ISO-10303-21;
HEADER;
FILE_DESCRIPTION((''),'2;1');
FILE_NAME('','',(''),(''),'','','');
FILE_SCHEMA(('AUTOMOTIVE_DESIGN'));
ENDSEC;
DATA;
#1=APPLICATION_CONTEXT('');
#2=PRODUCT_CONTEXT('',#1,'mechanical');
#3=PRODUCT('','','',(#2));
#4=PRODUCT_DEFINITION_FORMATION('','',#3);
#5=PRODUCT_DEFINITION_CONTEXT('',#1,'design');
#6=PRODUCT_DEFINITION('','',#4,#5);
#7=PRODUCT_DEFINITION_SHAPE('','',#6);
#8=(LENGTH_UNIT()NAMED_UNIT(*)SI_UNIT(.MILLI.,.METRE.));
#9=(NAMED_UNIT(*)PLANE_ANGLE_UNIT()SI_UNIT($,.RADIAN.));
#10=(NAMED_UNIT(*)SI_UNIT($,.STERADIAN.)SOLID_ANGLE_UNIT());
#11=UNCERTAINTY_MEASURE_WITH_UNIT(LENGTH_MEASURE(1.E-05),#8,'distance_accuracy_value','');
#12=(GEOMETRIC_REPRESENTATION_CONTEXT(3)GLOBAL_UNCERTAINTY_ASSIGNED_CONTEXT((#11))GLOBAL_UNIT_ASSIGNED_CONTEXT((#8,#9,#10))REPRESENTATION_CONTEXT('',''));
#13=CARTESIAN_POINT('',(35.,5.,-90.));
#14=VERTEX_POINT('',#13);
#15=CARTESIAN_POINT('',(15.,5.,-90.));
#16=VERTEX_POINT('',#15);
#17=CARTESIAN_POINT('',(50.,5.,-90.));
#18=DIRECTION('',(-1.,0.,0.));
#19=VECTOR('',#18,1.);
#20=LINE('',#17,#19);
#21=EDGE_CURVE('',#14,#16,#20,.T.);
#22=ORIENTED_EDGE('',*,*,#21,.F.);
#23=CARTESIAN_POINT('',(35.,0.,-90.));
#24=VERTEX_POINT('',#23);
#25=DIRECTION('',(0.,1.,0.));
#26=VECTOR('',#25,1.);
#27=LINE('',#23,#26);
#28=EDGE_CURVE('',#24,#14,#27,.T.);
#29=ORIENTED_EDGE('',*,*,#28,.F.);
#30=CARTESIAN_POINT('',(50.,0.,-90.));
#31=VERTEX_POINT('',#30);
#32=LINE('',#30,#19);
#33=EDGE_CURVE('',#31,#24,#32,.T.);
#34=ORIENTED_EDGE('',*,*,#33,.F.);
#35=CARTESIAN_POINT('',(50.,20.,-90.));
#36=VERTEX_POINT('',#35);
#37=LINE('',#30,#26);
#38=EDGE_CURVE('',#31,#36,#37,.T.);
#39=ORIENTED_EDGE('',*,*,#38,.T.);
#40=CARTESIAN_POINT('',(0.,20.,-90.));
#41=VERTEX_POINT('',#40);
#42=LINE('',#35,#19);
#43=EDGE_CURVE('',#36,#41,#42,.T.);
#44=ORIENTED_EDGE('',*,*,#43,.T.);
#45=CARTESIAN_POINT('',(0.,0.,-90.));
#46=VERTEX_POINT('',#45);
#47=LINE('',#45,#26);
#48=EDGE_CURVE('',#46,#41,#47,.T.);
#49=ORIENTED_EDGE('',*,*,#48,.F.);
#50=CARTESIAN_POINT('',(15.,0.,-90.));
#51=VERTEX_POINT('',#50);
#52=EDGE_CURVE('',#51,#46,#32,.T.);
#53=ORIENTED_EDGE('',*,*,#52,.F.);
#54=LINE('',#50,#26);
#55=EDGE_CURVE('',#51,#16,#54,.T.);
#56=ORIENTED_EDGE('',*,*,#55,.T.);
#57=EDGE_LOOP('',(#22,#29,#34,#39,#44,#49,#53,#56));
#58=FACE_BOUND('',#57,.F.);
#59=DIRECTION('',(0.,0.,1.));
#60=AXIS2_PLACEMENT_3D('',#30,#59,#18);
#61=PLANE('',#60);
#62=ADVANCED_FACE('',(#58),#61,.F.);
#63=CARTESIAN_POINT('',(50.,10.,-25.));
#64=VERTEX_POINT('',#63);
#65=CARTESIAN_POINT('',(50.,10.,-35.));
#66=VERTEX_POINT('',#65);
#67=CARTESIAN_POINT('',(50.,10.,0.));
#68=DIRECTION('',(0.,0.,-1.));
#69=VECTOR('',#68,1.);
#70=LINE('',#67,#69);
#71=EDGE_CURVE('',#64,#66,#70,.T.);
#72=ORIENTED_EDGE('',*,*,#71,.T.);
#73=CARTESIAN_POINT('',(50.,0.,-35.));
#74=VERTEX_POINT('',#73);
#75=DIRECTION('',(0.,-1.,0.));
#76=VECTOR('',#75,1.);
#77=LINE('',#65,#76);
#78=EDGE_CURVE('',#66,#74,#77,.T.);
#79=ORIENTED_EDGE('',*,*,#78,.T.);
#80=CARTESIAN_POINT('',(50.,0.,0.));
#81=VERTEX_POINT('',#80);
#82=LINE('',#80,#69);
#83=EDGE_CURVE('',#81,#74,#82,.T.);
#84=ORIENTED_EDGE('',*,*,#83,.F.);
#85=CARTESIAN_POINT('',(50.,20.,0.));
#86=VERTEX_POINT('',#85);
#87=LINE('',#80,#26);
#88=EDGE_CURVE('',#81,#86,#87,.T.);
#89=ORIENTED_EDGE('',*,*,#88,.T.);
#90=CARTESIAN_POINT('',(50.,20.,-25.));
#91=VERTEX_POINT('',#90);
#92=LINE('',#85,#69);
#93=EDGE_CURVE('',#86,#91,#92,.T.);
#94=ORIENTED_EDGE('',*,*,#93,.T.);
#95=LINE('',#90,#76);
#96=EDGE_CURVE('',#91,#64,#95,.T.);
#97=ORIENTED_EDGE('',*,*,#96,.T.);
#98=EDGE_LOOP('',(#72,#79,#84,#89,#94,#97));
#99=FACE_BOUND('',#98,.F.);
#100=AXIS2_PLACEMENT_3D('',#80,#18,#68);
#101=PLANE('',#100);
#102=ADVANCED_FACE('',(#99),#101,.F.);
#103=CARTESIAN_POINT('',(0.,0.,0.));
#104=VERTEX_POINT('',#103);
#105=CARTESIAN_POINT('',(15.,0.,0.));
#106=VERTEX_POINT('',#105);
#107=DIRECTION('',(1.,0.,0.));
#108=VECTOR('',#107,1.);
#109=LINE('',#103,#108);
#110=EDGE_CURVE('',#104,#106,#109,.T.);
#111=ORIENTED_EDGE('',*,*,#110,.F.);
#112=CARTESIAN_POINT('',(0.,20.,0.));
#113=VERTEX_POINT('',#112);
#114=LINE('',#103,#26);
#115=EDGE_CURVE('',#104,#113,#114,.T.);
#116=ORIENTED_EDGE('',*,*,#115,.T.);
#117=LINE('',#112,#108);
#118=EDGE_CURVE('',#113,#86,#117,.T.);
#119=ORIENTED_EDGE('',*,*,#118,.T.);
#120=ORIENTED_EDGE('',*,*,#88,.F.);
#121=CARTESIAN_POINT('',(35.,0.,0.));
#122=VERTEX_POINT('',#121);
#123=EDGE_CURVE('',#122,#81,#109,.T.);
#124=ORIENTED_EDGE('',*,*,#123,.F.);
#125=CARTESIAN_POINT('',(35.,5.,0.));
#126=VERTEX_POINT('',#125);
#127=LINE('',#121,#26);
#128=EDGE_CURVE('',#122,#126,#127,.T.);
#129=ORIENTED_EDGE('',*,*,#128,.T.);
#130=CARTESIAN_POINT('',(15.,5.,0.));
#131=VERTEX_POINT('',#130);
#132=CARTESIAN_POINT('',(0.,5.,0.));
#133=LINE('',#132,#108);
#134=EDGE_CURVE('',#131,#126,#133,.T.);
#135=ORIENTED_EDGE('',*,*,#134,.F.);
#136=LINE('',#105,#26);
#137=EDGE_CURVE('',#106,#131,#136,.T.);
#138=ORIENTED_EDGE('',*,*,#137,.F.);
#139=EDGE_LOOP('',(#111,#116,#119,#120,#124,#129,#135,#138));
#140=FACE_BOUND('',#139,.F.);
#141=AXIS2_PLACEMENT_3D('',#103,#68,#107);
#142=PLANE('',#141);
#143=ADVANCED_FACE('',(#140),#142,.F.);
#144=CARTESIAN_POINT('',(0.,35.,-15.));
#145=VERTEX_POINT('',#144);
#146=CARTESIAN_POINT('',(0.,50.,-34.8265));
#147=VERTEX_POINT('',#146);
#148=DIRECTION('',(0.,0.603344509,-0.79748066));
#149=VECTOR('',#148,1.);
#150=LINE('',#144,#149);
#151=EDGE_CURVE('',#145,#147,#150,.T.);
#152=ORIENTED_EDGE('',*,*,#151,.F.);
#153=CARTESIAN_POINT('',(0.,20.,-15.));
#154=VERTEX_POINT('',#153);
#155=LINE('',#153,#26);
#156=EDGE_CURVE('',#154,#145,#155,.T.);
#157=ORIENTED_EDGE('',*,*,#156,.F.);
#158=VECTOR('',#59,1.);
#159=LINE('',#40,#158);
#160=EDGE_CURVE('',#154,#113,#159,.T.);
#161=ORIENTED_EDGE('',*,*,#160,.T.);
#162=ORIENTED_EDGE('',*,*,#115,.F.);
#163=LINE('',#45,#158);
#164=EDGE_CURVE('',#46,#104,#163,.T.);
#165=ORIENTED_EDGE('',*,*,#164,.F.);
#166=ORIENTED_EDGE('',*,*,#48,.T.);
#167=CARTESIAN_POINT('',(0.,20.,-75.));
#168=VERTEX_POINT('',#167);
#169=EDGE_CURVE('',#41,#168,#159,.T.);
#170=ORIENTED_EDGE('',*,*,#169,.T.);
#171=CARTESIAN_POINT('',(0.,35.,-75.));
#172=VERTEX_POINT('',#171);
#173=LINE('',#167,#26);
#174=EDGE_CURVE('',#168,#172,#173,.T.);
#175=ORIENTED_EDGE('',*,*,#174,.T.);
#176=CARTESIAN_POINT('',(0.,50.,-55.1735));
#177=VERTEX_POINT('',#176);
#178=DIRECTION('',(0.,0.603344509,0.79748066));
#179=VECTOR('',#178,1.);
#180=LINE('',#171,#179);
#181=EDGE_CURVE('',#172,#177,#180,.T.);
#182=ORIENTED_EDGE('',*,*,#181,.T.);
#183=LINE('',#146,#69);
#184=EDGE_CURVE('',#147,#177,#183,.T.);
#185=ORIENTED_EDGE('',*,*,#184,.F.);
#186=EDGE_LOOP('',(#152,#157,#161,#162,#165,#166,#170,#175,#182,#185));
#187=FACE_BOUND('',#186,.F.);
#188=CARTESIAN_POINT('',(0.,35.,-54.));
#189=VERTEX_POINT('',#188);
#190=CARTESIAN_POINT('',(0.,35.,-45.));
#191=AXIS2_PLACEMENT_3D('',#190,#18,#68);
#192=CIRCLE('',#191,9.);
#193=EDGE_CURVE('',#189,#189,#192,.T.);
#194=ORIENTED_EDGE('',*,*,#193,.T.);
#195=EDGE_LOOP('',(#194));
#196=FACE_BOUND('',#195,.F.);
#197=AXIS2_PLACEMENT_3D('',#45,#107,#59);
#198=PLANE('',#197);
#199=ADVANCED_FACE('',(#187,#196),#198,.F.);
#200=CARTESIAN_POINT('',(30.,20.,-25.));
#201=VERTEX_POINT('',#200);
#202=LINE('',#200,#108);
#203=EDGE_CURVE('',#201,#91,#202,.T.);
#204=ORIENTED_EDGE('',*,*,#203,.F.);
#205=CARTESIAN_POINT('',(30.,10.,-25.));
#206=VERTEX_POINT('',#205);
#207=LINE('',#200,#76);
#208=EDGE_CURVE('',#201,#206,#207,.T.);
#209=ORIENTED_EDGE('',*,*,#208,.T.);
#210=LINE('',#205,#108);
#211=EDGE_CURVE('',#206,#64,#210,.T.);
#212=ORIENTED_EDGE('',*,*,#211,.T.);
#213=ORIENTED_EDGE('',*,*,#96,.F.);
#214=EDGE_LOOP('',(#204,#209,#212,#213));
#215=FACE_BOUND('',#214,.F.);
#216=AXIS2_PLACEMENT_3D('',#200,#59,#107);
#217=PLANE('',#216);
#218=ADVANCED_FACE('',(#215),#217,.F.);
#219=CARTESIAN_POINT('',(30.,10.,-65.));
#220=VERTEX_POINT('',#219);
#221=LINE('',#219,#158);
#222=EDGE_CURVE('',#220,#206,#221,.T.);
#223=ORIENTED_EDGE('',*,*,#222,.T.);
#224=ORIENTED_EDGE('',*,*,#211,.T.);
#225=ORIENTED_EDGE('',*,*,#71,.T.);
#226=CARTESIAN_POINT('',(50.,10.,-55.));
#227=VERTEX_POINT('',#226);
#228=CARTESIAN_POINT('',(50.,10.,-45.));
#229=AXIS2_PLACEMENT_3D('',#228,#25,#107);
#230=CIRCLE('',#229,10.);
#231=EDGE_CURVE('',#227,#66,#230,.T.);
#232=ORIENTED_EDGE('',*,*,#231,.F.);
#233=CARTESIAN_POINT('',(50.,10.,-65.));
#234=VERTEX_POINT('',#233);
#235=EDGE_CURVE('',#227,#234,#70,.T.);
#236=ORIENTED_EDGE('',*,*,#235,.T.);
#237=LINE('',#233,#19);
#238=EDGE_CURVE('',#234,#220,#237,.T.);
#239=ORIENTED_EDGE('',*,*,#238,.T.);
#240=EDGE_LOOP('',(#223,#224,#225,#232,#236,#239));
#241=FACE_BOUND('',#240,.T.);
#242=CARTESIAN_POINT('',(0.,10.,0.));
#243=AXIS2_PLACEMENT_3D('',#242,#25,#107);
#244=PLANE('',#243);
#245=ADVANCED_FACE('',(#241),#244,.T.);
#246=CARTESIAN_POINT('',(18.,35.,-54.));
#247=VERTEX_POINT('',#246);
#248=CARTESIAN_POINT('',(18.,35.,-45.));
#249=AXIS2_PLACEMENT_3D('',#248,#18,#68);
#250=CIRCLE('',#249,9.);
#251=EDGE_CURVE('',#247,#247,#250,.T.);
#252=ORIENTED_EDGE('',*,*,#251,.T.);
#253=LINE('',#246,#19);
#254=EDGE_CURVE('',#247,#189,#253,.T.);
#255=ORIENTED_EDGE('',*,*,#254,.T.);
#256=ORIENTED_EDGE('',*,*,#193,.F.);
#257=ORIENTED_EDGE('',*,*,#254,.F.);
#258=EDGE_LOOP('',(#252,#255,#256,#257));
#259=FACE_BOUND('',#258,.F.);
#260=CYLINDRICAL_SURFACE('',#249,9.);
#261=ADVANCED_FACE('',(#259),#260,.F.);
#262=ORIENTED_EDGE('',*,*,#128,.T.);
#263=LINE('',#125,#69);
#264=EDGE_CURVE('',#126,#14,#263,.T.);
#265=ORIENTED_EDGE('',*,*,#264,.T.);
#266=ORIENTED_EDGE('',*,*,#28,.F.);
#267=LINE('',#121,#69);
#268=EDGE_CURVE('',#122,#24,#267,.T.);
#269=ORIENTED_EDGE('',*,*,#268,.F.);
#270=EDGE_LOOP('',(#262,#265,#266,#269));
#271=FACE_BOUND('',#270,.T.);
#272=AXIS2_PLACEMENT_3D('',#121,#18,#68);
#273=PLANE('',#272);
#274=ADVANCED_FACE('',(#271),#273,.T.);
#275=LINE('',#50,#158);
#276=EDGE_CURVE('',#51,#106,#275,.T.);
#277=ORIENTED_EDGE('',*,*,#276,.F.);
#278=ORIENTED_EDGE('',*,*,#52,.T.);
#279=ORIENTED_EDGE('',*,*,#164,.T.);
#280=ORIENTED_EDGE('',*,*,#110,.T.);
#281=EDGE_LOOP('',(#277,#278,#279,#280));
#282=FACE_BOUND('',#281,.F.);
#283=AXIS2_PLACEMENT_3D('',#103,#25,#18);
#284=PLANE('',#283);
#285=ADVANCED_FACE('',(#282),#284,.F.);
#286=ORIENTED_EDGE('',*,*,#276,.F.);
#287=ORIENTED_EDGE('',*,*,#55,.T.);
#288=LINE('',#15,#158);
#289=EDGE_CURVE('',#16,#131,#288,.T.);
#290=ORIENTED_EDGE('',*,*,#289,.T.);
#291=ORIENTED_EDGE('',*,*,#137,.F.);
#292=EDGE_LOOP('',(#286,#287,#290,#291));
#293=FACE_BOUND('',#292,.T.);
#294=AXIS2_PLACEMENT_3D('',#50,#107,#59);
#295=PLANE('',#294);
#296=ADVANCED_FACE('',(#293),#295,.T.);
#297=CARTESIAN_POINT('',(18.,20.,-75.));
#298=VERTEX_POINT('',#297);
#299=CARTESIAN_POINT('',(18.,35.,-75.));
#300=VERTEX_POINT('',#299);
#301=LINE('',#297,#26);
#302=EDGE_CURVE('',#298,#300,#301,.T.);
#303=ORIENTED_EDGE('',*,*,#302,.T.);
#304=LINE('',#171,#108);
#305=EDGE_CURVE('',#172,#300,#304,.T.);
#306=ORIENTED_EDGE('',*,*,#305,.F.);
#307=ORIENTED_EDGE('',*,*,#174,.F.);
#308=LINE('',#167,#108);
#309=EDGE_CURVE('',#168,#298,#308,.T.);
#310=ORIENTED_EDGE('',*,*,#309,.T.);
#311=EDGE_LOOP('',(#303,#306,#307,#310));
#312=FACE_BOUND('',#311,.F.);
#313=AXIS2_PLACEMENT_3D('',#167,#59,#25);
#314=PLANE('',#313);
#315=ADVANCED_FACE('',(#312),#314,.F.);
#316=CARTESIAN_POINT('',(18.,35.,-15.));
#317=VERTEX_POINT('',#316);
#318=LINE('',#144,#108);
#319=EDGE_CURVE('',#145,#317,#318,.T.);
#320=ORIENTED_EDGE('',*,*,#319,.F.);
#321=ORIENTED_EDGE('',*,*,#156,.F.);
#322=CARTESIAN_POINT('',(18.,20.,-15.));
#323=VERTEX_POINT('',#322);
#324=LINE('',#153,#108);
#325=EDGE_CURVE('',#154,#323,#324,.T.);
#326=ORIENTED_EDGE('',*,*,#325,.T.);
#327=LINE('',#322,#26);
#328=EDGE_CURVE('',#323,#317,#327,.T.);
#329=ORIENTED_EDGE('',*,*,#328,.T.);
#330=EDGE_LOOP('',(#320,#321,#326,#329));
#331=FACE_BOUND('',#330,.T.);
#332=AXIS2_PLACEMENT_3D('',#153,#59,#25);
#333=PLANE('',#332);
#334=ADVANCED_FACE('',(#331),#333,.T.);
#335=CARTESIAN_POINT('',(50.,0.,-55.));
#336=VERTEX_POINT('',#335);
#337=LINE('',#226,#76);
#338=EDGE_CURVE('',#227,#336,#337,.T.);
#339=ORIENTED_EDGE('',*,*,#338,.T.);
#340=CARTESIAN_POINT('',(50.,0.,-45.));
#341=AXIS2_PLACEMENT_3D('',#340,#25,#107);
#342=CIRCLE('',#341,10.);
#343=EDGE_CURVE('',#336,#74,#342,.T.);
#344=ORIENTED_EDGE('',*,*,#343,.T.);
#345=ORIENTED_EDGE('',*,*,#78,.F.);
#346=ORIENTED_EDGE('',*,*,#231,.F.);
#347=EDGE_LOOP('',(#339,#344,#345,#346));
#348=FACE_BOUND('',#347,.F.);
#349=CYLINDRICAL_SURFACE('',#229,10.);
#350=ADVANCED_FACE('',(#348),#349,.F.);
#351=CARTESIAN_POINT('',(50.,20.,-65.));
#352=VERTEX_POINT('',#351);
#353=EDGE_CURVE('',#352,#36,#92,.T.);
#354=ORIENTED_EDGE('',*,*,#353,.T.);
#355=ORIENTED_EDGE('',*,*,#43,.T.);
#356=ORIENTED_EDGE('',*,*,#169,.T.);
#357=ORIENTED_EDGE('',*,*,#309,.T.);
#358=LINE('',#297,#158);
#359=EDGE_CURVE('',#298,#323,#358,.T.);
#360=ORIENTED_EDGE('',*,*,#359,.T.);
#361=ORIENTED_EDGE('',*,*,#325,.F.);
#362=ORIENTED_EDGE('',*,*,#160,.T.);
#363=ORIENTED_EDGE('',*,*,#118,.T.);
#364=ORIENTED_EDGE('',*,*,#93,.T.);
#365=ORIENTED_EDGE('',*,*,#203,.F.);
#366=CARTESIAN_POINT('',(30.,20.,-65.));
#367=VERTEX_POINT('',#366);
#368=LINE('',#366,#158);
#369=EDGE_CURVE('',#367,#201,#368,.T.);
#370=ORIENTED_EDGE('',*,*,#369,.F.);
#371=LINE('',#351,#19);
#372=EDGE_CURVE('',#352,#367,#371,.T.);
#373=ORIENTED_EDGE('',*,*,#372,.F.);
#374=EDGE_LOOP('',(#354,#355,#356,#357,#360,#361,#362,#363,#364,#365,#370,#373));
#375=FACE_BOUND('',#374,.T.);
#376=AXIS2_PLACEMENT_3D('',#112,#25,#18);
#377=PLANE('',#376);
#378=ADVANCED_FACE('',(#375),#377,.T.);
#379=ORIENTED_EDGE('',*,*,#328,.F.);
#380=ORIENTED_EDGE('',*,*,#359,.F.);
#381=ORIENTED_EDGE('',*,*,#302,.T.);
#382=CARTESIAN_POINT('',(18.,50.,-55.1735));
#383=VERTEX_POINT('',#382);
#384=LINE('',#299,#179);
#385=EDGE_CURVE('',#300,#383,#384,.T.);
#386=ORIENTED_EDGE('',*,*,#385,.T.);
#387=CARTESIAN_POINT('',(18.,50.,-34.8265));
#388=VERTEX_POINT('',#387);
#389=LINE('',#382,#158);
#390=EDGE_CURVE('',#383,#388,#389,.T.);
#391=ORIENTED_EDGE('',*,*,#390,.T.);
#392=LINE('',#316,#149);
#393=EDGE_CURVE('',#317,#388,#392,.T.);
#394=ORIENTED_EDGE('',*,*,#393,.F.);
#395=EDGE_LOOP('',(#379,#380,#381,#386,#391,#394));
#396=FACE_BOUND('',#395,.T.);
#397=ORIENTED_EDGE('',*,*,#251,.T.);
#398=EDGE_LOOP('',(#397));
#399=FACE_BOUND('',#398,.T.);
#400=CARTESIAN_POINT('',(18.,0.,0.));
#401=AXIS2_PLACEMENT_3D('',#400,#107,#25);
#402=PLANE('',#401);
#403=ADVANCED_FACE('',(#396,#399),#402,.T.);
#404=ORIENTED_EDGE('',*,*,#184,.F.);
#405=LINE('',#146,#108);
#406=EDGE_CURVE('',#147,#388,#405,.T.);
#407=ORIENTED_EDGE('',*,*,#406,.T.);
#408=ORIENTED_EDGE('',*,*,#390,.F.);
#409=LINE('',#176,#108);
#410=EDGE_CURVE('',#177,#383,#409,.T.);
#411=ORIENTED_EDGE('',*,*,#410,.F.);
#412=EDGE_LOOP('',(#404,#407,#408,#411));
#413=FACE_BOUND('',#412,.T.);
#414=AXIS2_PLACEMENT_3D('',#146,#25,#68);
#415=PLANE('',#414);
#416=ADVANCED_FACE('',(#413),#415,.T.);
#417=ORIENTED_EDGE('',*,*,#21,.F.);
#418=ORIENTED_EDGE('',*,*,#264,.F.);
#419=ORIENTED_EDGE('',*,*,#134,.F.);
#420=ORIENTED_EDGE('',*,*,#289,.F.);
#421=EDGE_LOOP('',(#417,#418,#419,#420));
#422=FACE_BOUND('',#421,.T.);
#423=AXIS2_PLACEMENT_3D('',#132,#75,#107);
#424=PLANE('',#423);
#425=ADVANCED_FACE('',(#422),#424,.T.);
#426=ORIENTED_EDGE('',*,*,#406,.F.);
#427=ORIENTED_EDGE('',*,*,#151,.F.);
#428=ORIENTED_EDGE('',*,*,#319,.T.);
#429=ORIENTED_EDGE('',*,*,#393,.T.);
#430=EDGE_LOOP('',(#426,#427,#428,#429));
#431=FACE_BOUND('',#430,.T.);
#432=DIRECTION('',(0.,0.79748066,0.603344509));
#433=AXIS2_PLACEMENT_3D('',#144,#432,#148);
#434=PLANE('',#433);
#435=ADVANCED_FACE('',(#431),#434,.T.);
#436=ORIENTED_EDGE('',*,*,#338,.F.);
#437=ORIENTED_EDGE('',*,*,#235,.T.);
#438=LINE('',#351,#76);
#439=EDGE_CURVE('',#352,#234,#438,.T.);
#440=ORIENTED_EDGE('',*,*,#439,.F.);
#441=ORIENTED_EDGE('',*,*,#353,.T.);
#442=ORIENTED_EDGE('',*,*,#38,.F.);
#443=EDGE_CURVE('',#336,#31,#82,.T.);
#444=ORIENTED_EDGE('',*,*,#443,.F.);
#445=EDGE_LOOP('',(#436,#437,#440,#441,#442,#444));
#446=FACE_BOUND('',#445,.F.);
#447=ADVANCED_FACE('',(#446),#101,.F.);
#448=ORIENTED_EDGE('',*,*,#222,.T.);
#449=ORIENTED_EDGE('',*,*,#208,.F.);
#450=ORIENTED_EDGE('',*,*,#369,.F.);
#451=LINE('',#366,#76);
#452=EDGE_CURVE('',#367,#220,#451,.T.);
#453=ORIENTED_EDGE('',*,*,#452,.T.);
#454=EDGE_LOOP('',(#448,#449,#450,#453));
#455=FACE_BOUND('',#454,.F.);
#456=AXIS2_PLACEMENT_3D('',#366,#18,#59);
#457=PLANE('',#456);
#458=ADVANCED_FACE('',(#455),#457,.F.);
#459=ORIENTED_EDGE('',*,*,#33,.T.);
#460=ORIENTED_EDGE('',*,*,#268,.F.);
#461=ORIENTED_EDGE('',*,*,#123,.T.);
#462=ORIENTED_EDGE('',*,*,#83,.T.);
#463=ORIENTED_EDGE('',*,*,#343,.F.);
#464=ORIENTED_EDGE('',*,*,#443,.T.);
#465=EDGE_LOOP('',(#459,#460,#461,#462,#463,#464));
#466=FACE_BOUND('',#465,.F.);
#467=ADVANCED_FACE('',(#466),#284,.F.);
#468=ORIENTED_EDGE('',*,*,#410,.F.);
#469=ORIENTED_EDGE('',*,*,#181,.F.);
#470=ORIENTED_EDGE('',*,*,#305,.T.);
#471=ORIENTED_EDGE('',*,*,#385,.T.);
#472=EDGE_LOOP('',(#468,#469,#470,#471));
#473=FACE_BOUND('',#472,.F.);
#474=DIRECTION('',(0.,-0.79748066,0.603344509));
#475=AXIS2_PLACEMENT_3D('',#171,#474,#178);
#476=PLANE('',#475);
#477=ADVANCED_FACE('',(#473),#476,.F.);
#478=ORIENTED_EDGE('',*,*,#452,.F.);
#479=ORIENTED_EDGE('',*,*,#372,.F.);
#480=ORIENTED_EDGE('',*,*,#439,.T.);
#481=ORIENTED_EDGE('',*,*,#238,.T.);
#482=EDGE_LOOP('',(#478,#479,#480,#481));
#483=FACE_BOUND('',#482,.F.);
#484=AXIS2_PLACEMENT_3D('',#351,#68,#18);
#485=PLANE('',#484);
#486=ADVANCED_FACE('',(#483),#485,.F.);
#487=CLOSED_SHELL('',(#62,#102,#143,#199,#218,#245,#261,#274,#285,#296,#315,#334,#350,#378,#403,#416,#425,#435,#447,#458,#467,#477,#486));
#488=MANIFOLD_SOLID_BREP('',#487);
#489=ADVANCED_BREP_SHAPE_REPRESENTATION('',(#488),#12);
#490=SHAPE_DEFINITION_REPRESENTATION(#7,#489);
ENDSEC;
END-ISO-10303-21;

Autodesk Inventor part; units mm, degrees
ref_plane "YZ Plane" through (0, 0, 0) normal (1, 0, 0) x (0, 1, 0)
ref_plane "XZ Plane" through (0, 0, 0) normal (0, 1, 0) x (-1, 0, 0)
ref_plane "XY Plane" through (0, 0, 0) normal (0, 0, 1) x (1, 0, 0)
sketch "Szkic1" plane through (0, 0, 0) normal (0, 1, 0) x (-1, 0, 0)
  line L0 (0, 0) -> (-50, 0)
  line L1 (-50, 0) -> (-50, -90)
  line L2 (-50, -90) -> (0, -90)
  line L3 (0, -90) -> (0, 0)
  dimension "d0" = 50
  dimension "d1" = 90
extrude "Wyciągnięcie proste1" add sketch "Szkic1" along normal blind 20
sketch "Szkic2" plane through (0, 20, 0) normal (0, 1, 0) x (1, 0, 0)
  line L0 (50, 0) -> (50, 90) projected
  line L1 (50, 65) -> (30, 65)
  line L2 (30, 65) -> (30, 25)
  line L3 (30, 25) -> (50, 25)
  line L4 (50, 25) -> (50, 65)
  line L5 (50, 90) -> (0, 90) projected
  point P0 (0, 0)
  dimension "d4" = 20
  dimension "d5" = 40
  dimension "d6" = 25
extrude "Wyciągnięcie proste2" cut sketch "Szkic2" against normal blind 10
sketch "Szkic3" plane through (0, 10, 0) normal (0, 1, 0) x (1, 0, 0)
  line L0 (50, 65) -> (50, 25) projected
  circle A0 centre (50, 45) radius 10
  point P0 (0, 0)
  point P1 (50, 35)
  point P2 (50, 55)
  dimension "d9" = 20
extrude "Wyciągnięcie proste3" cut sketch "Szkic3" against normal through all contours L0 A0 picked at (46.1942, 47.495)
sketch "Szkic4" plane through (0, 0, 0) normal (0, -1, 0) x (1, 0, 0)
  line L0 (0, 0) -> (50, 0) projected
  line L1 (50, -90) -> (0, -90) projected
  line L2 (15, 0) -> (35, 0)
  line L3 (35, 0) -> (35, -90)
  line L4 (35, -90) -> (15, -90)
  line L5 (15, -90) -> (15, 0)
  line L6 (0, -90) -> (0, 0) projected
  dimension "d12" = 20
  dimension "d13" = 15
extrude "Wyciągnięcie proste4" cut sketch "Szkic4" against normal blind 5 contours L0 L3 L1 L5
sketch "Szkic5" plane through (0, 0, 0) normal (1, 0, 0) x (0, 1, 0)
  line L0 (20, -65) -> (20, -90) projected
  line L1 (20, -75) -> (35, -75)
  line L2 (35, -75) -> (50, -55.1735)
  line L3 (50, -55.1735) -> (50, -45.1735)
  line L4 (20, -25) -> (20, -65) projected
  line L5 (20, -15) -> (35, -15)
  line L6 (35, -15) -> (50, -34.8265)
  line L7 (50, -34.8265) -> (50, -44.8265)
  line L8 (20, -75) -> (20, -15)
  line L9 (20, -90) -> (20, 0) projected
  line L10 (50, -55.1735) -> (50, -34.8265)
  point P0 (0, 0)
  dimension "d16" = 15
  dimension "d17" = 10
  dimension "d18" = 15
extrude "Wyciągnięcie proste5" add sketch "Szkic5" along normal blind 18
sketch "Szkic6" plane through (18, 0, 0) normal (1, 0, 0) x (0, 0, -1)
  line L0 (25, 20) -> (65, 20) projected
  line L1 (15, 35) -> (15, 20) projected
  point P0 (0, 0)
  point P1 (45, 35)
  point P2 (45, 20)
  point P3 (15, 27.5)
  dimension "d21" = 15
  dimension "d22" = 30
hole "Otwór1" at (18, 35, -45) direction (-1, 0, 0) diameter 18 end through all
